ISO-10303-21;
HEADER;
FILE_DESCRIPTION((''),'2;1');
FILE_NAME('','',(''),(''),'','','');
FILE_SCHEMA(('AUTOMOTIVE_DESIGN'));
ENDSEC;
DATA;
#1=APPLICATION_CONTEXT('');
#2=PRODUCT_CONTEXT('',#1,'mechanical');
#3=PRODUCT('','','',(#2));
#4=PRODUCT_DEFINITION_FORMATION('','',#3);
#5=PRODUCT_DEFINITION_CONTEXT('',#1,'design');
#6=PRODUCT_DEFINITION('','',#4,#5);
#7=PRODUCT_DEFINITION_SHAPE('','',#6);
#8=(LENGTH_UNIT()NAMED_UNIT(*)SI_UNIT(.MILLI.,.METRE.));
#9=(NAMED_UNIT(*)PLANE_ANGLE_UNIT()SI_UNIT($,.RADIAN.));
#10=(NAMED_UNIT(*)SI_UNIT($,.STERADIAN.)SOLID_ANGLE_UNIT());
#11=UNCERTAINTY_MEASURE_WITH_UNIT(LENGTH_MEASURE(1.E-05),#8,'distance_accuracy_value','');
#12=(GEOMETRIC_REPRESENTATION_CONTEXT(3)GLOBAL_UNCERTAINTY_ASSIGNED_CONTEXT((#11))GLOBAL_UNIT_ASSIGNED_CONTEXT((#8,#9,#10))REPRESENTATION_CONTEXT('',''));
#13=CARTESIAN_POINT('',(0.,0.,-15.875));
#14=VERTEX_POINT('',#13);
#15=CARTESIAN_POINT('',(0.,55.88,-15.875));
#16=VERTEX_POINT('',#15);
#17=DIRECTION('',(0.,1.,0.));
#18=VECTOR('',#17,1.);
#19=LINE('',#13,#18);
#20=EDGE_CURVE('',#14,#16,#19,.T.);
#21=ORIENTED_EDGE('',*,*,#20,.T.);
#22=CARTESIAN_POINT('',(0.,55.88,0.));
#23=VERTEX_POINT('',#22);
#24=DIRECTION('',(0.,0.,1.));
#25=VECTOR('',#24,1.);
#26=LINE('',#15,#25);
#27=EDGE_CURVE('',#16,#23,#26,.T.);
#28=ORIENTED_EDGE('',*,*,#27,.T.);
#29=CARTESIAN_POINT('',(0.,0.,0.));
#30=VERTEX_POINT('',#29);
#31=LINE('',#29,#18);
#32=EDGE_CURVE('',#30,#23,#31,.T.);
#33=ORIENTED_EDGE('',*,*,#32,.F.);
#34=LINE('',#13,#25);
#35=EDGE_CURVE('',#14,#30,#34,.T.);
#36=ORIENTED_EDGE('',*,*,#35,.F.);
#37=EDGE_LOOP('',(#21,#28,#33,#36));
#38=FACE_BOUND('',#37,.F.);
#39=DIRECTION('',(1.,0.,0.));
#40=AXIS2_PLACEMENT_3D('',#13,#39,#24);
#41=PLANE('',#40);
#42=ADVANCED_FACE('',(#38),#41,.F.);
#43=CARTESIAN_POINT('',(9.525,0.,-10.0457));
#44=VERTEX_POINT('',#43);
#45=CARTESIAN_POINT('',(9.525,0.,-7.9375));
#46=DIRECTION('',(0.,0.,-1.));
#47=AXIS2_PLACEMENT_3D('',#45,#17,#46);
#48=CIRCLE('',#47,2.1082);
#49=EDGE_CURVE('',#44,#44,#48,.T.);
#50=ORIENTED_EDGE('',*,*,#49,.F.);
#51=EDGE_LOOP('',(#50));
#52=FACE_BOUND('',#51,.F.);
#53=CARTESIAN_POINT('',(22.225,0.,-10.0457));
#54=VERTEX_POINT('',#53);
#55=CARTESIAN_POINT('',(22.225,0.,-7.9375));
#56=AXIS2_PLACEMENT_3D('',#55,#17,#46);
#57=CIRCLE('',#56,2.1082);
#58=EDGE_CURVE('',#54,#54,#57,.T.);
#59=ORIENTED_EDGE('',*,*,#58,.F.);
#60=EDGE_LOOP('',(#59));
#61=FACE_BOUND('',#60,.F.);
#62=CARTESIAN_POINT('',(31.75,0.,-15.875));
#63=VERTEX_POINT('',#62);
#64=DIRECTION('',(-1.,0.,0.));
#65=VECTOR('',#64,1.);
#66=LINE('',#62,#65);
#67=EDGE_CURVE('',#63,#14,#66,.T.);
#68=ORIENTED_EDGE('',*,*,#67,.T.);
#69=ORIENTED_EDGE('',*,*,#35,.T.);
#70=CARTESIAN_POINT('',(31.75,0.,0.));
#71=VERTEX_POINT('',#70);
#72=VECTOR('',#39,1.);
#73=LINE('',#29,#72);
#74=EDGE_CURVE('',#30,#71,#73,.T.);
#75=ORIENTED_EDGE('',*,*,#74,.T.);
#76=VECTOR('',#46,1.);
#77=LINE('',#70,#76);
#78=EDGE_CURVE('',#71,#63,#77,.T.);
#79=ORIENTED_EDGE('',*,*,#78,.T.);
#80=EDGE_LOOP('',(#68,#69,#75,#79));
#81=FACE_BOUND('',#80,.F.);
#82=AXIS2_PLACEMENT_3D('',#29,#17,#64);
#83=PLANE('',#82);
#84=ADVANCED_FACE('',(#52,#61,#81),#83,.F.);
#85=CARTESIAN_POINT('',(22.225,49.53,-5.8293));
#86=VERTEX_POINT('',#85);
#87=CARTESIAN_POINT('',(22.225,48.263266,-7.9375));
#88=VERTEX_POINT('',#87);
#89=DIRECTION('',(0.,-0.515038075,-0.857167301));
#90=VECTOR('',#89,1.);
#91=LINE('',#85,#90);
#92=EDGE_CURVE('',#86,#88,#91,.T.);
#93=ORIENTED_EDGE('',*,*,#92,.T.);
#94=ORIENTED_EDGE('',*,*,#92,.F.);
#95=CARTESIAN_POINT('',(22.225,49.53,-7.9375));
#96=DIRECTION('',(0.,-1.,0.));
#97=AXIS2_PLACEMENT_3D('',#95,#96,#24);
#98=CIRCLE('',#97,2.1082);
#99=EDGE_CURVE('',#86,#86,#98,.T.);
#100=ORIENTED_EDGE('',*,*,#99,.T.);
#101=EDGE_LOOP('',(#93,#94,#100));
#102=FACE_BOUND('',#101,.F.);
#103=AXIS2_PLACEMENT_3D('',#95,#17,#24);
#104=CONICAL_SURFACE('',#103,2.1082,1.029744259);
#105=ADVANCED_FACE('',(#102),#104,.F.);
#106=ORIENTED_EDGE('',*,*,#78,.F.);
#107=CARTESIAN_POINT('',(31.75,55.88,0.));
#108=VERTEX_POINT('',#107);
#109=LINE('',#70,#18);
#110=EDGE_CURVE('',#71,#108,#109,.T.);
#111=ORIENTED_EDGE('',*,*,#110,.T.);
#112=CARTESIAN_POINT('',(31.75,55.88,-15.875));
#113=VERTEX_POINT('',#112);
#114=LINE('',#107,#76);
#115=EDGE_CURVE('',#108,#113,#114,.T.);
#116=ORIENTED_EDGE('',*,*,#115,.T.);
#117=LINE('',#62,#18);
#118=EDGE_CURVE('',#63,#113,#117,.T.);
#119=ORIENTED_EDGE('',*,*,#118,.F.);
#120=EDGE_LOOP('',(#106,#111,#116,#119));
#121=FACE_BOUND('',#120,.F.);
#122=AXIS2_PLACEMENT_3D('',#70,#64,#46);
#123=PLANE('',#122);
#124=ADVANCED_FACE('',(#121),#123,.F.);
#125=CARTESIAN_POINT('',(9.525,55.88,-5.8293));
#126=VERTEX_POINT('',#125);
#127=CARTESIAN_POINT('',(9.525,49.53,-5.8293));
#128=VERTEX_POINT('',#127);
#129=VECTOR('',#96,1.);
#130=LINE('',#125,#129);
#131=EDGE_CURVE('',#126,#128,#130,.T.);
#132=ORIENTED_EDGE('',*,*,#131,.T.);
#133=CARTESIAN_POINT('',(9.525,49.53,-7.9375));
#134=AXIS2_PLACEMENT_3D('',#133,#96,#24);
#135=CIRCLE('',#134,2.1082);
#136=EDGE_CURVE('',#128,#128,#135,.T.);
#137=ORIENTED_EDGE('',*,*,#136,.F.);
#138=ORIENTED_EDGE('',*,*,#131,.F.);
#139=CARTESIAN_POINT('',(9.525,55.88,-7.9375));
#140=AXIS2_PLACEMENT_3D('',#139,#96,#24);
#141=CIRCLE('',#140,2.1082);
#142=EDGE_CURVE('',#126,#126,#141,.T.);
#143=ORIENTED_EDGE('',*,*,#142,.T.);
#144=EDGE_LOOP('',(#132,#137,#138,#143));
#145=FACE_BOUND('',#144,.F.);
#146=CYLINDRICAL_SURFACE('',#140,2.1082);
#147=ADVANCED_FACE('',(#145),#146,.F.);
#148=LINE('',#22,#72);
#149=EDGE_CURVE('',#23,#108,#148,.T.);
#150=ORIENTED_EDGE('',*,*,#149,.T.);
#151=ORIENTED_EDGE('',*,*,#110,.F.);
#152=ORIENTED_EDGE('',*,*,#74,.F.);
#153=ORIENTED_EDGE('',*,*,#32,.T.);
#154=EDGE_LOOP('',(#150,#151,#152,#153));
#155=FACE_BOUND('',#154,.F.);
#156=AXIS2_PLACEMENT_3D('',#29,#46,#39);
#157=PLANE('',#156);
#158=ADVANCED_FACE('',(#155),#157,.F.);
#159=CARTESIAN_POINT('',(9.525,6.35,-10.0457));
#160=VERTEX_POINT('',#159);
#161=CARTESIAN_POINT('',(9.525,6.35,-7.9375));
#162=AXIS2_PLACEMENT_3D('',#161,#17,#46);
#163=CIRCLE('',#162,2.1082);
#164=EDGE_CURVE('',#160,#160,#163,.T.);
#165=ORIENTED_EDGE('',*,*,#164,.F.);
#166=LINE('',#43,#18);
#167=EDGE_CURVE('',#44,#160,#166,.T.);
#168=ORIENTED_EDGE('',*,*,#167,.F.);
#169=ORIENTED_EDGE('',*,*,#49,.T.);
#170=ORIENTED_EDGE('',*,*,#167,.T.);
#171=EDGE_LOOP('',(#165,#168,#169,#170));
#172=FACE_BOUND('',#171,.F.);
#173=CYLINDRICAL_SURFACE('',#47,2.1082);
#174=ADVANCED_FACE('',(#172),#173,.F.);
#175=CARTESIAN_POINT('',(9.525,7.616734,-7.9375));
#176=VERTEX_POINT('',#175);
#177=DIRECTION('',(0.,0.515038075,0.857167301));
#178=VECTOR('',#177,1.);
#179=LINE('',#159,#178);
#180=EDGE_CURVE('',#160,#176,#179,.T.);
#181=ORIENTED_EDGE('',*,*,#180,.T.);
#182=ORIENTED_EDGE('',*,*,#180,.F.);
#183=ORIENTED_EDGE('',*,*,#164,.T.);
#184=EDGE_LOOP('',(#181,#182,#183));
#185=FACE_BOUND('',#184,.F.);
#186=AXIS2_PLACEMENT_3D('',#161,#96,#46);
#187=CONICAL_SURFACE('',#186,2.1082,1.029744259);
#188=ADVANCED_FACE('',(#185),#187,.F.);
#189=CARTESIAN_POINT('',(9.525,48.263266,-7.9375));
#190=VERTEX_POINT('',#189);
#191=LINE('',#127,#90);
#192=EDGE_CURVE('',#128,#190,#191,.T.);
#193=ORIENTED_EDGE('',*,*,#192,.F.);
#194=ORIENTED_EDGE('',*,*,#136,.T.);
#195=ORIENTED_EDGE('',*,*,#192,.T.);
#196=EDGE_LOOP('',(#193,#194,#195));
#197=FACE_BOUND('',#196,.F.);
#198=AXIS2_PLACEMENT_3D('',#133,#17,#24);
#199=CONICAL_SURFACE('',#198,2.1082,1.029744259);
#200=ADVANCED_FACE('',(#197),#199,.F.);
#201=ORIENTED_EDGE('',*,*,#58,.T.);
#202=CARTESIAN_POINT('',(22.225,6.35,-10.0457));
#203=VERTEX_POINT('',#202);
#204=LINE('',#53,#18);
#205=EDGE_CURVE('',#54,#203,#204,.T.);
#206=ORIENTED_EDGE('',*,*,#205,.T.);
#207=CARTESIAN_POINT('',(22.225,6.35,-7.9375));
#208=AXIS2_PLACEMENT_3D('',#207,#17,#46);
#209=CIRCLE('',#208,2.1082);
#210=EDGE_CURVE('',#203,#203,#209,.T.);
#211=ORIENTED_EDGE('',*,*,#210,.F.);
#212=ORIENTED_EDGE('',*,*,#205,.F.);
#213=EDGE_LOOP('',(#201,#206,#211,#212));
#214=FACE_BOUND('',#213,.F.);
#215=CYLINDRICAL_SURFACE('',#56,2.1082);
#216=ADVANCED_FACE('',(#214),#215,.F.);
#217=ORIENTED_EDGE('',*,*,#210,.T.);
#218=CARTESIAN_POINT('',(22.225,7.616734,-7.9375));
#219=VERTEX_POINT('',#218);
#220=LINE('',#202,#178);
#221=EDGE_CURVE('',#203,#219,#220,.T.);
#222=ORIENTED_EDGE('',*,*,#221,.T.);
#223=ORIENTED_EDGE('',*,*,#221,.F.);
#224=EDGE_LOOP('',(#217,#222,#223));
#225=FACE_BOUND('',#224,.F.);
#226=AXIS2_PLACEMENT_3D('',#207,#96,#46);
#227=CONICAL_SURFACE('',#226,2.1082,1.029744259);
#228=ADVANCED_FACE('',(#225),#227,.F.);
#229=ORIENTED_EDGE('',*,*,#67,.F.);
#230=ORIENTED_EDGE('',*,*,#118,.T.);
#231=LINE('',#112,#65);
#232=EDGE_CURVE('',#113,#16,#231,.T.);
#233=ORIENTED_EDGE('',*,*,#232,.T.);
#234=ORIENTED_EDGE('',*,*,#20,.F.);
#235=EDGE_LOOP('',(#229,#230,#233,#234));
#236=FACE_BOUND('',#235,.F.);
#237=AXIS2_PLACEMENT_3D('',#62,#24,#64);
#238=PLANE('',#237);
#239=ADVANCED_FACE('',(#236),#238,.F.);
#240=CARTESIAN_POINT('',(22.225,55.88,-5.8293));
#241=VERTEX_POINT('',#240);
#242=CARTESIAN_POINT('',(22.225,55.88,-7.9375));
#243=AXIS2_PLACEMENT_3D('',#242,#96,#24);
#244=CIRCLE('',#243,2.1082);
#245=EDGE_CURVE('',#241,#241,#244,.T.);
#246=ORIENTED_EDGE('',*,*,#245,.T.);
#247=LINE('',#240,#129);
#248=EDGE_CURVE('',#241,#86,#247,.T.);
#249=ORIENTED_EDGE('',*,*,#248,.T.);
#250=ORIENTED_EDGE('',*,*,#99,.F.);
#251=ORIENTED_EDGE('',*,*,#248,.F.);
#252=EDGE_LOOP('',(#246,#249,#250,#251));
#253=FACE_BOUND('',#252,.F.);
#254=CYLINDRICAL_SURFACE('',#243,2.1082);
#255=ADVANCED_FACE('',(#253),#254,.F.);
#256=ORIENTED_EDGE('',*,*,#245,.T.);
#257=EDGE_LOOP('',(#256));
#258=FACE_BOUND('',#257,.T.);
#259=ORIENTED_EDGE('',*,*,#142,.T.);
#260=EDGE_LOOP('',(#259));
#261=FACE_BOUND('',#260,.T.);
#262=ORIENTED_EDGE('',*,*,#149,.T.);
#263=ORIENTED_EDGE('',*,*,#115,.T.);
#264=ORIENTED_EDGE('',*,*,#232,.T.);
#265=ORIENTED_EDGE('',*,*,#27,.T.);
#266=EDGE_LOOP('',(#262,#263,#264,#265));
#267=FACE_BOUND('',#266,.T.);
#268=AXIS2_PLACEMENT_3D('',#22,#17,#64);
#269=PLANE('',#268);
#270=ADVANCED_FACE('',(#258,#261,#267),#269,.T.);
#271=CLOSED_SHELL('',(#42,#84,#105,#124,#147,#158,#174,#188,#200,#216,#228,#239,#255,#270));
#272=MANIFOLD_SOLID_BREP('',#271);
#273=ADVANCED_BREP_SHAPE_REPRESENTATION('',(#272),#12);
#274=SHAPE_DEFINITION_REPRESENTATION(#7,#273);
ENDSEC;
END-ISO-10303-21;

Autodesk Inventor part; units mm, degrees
ref_plane "YZ Plane" through (0, 0, 0) normal (1, 0, 0) x (0, 1, 0)
ref_plane "XZ Plane" through (0, 0, 0) normal (0, 1, 0) x (-1, 0, 0)
ref_plane "XY Plane" through (0, 0, 0) normal (0, 0, 1) x (1, 0, 0)
sketch "Sketch1" plane through (0, 0, 0) normal (0, 1, 0) x (-1, 0, 0)
  line L0 (0, 0) -> (-31.75, 0)
  line L1 (-31.75, 0) -> (-31.75, -15.875)
  line L2 (-31.75, -15.875) -> (0, -15.875)
  line L3 (0, -15.875) -> (0, 0)
  dimension "d0" = 15.875
  dimension "d1" = 31.75
extrude "Extrusion1" add sketch "Sketch1" along normal blind 55.88
sketch "Sketch2" plane through (0, 55.88, 0) normal (0, 1, 0) x (1, 0, 0)
  line L0 (0, 15.875) -> (0, 0) projected
  line L1 (31.75, 0) -> (31.75, 15.875) projected
  line L2 (31.75, 15.875) -> (0, 15.875) projected
  line L3 (0, 0) -> (31.75, 0) projected
  point P0 (9.525, 7.9375)
  point P1 (22.225, 7.9375)
  dimension "d5" = 12.7
  dimension "d25" = 15.875
  dimension "d26" = 7.9375
  dimension "d27" = 9.525
hole "Hole1" at (9.525, 55.88, -7.9375) at (22.225, 55.88, -7.9375) direction (0, -1, 0) diameter 4.2164 depth 6.35 tip angle 118
sketch "Sketch3" plane through (0, 0, 0) normal (0, -1, 0) x (1, 0, 0)
  circle A0 centre (9.525, -7.9375) radius 2.1082 projected
  circle A1 centre (22.225, -7.9375) radius 2.1082 projected
  point P0 (0, 0)
hole "Hole2" at (9.525, 0, -7.9375) at (22.225, 0, -7.9375) direction (0, 1, 0) diameter 4.2164 depth 6.35 tip angle 118
equation "\"d26\" = 0.5 * d25"
properties part number "Garalite Support"
